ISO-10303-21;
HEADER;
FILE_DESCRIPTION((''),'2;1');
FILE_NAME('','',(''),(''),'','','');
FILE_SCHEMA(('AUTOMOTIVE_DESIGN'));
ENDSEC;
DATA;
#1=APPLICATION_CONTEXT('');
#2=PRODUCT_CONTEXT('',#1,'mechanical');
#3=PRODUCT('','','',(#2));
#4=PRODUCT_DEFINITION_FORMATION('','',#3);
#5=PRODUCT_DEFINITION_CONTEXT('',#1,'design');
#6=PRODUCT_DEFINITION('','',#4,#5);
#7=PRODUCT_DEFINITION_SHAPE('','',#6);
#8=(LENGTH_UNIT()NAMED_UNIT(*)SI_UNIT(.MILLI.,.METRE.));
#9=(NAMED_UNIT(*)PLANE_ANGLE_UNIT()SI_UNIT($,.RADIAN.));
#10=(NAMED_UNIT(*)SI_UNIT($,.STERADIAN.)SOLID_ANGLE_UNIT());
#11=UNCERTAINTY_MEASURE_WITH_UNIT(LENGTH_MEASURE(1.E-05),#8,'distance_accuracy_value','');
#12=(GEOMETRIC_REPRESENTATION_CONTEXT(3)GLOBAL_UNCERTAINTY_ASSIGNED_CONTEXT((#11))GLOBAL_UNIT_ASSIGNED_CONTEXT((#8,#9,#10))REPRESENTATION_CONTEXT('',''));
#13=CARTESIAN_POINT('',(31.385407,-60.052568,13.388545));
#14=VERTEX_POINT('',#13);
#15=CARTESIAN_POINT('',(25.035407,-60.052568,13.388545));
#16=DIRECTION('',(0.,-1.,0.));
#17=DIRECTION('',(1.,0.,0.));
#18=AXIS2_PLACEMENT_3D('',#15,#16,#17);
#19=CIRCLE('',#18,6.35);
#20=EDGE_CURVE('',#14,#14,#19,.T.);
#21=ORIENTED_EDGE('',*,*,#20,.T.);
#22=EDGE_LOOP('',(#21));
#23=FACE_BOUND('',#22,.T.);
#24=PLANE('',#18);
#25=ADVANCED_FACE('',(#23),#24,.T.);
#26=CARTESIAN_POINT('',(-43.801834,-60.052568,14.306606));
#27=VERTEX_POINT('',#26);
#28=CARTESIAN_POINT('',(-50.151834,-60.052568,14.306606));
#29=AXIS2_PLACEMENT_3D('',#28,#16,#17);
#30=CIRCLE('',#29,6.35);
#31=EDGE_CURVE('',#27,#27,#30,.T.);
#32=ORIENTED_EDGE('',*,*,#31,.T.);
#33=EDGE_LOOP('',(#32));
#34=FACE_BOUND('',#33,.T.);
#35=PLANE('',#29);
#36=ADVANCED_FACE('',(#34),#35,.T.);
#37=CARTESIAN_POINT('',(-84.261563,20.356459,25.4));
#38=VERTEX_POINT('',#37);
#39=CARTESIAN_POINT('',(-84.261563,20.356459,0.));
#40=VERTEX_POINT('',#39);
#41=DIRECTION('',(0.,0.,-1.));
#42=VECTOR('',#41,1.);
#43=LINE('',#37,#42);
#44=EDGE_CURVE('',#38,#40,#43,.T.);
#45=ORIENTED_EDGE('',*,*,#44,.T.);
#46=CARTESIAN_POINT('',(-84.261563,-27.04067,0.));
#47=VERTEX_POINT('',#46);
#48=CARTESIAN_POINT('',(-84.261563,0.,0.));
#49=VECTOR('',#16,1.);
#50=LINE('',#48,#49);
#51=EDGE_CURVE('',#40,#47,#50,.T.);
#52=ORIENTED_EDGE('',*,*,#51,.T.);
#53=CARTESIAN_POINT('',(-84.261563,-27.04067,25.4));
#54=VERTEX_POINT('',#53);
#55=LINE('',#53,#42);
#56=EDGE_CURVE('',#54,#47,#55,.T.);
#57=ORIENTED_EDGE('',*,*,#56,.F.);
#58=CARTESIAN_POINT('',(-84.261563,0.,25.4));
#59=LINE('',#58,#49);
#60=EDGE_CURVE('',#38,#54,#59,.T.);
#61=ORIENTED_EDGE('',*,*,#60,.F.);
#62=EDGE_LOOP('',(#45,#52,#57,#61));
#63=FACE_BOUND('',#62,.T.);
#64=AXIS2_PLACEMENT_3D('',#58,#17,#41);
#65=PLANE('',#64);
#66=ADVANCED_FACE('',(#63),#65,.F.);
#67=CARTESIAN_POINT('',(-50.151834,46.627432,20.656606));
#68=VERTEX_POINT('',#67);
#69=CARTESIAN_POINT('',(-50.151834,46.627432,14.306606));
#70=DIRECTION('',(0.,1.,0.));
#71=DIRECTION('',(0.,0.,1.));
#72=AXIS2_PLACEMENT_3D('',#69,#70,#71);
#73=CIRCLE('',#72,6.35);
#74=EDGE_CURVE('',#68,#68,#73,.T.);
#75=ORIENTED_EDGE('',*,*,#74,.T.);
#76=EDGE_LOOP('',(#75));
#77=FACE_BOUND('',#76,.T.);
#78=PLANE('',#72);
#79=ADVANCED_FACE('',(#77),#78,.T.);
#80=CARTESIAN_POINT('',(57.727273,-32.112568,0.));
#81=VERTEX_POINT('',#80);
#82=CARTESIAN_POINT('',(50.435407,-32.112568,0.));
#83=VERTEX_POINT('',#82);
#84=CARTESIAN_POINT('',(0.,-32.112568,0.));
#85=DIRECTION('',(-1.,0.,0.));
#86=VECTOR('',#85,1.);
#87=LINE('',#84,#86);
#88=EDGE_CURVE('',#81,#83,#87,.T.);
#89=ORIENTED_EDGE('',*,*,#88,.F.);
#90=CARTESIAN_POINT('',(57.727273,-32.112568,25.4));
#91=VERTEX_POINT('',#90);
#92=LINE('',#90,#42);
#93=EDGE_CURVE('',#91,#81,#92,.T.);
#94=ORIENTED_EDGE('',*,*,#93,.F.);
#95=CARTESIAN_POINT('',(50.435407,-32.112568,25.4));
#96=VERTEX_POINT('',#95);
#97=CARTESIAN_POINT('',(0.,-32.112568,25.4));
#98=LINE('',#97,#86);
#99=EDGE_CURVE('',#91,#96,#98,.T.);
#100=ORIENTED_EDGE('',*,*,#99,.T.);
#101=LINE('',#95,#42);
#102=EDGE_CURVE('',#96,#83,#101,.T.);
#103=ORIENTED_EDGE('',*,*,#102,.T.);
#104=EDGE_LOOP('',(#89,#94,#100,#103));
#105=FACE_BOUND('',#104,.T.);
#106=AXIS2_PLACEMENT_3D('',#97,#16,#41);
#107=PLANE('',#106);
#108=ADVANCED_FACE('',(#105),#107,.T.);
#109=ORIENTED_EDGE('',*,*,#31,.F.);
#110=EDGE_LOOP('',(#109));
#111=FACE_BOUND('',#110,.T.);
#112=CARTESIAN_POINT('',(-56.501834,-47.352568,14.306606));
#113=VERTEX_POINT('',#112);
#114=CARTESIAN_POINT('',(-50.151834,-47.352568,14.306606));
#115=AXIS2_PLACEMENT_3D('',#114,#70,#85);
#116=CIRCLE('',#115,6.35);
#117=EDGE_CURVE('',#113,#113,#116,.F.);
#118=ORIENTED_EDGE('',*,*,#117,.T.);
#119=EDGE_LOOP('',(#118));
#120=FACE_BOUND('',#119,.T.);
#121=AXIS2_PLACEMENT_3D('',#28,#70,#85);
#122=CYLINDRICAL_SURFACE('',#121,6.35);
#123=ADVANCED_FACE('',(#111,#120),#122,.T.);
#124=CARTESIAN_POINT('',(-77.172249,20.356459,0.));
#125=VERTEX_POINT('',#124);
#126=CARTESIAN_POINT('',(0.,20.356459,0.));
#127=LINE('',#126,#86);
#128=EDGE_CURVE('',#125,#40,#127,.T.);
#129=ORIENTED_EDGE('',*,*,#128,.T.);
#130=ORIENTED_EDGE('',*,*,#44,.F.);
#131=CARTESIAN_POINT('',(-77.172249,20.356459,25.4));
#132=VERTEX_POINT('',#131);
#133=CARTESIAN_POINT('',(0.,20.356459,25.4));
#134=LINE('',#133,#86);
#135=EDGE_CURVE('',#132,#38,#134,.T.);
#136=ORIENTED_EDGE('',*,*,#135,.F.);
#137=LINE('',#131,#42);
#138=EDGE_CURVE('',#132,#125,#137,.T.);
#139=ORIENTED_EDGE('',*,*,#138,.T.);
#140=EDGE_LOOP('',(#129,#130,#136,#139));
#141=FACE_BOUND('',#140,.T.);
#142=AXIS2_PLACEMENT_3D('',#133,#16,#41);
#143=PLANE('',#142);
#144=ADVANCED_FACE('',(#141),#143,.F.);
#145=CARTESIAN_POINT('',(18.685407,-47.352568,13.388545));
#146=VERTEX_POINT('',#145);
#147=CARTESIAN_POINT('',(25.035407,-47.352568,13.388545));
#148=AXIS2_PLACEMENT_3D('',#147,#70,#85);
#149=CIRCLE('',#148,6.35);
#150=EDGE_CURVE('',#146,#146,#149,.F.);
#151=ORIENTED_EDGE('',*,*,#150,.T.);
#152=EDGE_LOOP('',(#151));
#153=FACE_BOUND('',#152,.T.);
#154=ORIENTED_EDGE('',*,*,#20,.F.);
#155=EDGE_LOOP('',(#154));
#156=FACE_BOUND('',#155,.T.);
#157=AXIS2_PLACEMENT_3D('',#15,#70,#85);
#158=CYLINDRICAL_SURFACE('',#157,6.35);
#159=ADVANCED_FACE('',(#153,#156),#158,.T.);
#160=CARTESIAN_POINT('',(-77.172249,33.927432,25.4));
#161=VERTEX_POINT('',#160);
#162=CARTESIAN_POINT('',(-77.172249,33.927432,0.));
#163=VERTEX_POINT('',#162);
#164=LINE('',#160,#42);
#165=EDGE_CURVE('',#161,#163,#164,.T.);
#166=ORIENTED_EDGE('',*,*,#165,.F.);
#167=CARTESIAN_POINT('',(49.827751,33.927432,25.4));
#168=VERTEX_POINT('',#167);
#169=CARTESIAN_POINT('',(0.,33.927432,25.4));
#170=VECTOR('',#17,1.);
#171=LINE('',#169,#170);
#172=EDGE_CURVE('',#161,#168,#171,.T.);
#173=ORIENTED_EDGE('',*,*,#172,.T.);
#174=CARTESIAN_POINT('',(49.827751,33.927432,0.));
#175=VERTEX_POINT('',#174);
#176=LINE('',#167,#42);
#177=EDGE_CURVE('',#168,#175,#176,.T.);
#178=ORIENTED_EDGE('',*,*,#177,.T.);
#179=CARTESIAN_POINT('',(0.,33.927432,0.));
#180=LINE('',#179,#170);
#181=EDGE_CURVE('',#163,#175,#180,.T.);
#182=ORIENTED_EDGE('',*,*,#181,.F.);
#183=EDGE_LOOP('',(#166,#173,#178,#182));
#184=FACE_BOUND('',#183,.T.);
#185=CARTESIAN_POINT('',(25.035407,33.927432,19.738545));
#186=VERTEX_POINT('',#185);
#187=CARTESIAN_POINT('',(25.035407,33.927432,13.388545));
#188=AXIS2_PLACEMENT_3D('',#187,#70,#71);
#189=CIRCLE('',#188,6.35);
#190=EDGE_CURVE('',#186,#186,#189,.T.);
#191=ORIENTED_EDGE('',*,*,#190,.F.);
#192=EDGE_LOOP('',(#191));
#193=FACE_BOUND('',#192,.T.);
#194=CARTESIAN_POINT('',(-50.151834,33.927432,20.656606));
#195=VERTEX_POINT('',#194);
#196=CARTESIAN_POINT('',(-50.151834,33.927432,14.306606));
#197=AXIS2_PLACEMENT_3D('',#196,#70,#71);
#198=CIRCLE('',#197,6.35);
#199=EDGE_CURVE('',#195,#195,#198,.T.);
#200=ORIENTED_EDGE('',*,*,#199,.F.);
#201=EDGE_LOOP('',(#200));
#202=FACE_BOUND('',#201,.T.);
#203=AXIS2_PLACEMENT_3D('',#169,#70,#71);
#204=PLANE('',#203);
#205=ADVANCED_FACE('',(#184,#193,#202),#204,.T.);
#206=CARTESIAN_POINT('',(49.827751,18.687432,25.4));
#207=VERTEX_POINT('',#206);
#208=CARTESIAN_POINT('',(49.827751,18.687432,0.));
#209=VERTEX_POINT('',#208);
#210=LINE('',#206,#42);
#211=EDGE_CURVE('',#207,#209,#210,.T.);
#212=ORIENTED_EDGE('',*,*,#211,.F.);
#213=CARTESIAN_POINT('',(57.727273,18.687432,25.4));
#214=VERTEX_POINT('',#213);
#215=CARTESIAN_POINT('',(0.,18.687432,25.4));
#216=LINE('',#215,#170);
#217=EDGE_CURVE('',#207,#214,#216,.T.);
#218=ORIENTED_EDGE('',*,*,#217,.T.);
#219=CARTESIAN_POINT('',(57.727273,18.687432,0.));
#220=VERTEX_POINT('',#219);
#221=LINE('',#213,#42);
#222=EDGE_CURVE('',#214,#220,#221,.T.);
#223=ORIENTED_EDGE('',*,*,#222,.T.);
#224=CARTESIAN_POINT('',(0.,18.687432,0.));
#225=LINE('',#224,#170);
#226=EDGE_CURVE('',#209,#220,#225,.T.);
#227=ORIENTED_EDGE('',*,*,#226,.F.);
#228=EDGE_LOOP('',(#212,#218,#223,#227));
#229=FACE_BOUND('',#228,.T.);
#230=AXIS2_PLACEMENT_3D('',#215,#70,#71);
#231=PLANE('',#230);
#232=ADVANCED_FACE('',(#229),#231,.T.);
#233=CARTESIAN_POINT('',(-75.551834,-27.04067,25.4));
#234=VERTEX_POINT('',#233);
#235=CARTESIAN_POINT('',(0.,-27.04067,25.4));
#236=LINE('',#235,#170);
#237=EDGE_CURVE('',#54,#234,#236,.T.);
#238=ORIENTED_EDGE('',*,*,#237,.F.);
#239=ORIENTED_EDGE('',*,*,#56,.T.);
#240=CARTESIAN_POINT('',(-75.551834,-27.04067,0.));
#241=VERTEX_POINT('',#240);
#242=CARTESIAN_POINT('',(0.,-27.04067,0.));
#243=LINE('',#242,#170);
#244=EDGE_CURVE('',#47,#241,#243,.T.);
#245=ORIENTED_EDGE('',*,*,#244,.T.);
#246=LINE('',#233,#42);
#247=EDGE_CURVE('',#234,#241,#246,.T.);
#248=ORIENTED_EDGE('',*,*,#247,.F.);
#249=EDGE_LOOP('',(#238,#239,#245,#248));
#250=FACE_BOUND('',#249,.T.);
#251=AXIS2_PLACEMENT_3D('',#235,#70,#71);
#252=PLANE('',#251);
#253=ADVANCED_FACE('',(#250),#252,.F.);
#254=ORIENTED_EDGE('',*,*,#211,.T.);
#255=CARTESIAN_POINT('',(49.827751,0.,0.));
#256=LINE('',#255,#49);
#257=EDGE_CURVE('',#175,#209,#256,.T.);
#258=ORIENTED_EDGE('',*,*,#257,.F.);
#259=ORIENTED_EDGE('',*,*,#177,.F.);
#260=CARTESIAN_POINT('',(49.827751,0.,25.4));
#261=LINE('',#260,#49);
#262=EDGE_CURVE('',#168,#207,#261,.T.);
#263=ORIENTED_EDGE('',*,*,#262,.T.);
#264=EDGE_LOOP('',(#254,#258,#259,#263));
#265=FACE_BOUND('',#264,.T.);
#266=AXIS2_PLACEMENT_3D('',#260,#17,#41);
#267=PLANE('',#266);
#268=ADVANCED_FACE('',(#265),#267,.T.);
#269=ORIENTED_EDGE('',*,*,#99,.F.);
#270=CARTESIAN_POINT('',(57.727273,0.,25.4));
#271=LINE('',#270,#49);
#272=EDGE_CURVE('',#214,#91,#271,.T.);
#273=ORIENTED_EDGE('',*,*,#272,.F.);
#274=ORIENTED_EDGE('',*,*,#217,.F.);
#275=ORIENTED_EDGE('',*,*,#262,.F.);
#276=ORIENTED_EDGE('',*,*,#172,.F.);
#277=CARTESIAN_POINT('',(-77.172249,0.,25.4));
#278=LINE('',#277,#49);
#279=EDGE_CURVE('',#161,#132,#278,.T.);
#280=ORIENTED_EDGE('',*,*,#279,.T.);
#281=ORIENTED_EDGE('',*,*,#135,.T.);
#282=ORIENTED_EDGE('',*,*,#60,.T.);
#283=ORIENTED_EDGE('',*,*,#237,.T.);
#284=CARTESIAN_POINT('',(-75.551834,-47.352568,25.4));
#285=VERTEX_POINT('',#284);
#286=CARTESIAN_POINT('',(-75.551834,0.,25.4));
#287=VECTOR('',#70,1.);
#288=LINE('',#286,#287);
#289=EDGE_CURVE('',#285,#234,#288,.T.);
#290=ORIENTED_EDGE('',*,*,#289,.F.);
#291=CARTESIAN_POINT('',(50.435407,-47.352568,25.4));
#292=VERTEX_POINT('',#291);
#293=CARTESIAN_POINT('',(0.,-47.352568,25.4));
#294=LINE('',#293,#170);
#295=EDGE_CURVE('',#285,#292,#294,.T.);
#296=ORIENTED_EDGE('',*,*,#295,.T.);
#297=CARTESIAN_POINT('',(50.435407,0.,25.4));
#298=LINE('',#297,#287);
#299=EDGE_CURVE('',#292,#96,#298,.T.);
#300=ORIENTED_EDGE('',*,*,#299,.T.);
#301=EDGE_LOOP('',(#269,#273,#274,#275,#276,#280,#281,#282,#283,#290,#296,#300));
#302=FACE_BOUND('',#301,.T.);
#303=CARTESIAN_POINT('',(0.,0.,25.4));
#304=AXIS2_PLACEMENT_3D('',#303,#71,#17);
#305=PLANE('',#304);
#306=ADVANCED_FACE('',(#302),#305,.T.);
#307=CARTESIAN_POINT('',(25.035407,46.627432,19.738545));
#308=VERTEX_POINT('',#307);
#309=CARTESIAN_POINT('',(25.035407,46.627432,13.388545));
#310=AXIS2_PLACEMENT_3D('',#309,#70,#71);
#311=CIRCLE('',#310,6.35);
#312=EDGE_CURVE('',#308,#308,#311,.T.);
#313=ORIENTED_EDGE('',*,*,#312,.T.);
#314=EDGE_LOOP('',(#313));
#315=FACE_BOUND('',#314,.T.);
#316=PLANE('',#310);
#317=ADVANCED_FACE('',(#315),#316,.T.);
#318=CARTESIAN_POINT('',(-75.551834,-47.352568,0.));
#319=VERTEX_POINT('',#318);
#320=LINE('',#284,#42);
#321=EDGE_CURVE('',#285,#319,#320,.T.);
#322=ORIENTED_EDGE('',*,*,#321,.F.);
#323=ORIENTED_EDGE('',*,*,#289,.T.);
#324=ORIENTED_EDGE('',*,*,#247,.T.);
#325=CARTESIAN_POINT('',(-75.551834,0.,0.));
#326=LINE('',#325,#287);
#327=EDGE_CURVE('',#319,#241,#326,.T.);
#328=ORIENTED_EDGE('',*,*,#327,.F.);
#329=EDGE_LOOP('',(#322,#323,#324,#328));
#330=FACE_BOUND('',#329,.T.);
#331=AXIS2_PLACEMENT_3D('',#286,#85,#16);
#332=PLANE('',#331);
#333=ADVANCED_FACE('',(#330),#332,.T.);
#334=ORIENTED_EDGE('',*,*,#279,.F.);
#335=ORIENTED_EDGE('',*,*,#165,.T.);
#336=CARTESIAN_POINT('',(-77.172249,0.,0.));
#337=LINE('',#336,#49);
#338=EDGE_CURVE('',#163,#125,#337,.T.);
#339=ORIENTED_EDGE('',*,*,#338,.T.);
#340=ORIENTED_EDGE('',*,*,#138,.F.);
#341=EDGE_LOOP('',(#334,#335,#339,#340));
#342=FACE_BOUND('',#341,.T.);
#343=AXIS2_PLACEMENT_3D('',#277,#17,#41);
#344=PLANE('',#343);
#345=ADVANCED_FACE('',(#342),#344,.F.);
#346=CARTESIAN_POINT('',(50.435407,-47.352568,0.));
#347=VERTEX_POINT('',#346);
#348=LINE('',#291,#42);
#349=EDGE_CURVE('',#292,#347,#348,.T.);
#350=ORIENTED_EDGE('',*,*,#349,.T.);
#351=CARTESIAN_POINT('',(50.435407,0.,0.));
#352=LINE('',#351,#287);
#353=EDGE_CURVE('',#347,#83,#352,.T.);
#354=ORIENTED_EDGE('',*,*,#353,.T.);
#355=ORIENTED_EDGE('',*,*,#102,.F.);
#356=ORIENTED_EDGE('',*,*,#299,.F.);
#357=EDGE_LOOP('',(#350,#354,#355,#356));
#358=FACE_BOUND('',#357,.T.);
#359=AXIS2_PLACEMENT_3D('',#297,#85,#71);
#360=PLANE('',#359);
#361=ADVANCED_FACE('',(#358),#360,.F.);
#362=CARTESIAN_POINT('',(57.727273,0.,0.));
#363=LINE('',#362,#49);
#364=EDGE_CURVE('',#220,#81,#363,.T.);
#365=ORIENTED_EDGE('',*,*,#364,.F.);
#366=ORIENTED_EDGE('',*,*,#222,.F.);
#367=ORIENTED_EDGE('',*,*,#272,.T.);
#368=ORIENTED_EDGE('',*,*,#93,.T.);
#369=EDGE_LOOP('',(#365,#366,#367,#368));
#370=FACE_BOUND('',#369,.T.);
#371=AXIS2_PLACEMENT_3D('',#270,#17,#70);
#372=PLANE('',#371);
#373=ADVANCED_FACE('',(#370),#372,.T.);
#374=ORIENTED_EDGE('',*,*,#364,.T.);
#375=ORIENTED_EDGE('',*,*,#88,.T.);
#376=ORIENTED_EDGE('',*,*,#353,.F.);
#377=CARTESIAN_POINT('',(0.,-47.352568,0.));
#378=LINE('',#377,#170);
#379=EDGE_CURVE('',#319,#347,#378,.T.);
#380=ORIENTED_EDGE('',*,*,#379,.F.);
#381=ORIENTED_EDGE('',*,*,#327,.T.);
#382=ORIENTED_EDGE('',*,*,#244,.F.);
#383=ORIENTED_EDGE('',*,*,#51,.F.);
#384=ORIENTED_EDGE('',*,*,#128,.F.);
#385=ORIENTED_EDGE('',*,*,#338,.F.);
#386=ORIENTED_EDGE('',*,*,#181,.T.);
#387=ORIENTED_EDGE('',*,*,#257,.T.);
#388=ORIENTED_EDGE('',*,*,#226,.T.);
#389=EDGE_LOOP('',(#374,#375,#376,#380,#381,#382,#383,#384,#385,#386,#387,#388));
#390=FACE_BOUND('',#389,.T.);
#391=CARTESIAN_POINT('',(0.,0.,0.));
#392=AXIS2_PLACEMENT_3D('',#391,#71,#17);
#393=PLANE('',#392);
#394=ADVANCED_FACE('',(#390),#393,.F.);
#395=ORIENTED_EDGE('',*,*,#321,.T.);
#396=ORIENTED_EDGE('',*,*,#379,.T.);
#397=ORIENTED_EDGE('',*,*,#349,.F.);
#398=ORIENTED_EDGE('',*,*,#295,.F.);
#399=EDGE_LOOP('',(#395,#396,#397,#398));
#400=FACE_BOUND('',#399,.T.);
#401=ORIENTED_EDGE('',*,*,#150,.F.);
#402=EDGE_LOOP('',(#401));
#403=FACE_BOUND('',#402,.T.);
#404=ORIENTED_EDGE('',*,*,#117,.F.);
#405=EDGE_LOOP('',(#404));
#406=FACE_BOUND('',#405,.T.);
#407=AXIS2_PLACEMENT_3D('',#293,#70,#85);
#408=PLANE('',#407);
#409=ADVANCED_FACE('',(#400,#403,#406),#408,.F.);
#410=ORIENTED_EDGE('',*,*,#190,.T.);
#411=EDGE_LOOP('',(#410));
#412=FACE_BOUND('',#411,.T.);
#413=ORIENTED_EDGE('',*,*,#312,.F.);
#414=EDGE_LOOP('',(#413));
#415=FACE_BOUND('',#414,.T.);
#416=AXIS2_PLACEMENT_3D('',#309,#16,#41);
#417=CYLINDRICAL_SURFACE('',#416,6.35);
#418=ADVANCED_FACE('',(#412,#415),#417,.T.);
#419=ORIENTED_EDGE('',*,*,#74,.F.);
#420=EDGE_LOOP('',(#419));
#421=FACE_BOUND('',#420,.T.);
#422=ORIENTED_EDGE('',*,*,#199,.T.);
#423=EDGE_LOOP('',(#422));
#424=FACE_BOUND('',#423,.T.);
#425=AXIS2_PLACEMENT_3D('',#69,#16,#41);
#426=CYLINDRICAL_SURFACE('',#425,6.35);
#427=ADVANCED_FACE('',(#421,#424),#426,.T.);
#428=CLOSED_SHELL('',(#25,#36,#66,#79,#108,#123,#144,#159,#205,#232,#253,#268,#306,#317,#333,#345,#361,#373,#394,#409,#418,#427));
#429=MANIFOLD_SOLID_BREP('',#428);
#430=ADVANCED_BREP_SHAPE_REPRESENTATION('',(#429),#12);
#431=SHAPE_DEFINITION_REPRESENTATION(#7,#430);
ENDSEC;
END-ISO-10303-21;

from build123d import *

# Parameters (mm, degrees)
BOSS_EXTRUDE1_DEPTH = 25.4
SKETCH4_R           = 6.35
BOSS_EXTRUDE2_DEPTH = 12.7
BOSS_EXTRUDE3_START = 12.7
SKETCH2_R           = 6.35
BOSS_EXTRUDE3_DEPTH = 12.7


with BuildPart() as part:
    # Sketch1 → Boss-Extrude1 (new body)
    with BuildSketch(Plane.XY):
        Polygon((-77.172248804, 33.927432217), (49.827751196, 33.927432217), (49.827751196, 18.687432217), (57.727272727, 18.687432217), (57.727272727, -32.112567783), (50.435406699, -32.112567783), (50.435406699, -47.352567783), (-75.551834131, -47.352567783), (-75.551834131, -27.040669856), (-84.261562998, -27.040669856), (-84.261562998, 20.35645933), (-77.172248804, 20.35645933), align=None)
    extrude(amount=BOSS_EXTRUDE1_DEPTH)

    # Sketch4 → Boss-Extrude2 (add)
    with BuildSketch(Plane(origin=(0, 33.927432217, 0), x_dir=(1, 0, 0), z_dir=(0, 1, 0))):
        with Locations(Location((-50.151834131, -14.306606111, 0), (0, 0, 270))):
            Circle(SKETCH4_R)
        with Locations(Location((25.035406699, -13.388545476, 0), (0, 0, 270))):
            Circle(SKETCH4_R)
    extrude(amount=BOSS_EXTRUDE2_DEPTH)

    # Sketch2 → Boss-Extrude3 (add)
    with BuildSketch(Plane.XZ.offset(47.352567783).offset(BOSS_EXTRUDE3_START)):
        with Locations(Location((-50.151834131, 14.306606111, 0), (0, 0, 90))):
            Circle(SKETCH2_R)
        with Locations(Location((25.035406699, 13.388545476, 0), (0, 0, 90))):
            Circle(SKETCH2_R)
    extrude(amount=-BOSS_EXTRUDE3_DEPTH)


solid = part.part
